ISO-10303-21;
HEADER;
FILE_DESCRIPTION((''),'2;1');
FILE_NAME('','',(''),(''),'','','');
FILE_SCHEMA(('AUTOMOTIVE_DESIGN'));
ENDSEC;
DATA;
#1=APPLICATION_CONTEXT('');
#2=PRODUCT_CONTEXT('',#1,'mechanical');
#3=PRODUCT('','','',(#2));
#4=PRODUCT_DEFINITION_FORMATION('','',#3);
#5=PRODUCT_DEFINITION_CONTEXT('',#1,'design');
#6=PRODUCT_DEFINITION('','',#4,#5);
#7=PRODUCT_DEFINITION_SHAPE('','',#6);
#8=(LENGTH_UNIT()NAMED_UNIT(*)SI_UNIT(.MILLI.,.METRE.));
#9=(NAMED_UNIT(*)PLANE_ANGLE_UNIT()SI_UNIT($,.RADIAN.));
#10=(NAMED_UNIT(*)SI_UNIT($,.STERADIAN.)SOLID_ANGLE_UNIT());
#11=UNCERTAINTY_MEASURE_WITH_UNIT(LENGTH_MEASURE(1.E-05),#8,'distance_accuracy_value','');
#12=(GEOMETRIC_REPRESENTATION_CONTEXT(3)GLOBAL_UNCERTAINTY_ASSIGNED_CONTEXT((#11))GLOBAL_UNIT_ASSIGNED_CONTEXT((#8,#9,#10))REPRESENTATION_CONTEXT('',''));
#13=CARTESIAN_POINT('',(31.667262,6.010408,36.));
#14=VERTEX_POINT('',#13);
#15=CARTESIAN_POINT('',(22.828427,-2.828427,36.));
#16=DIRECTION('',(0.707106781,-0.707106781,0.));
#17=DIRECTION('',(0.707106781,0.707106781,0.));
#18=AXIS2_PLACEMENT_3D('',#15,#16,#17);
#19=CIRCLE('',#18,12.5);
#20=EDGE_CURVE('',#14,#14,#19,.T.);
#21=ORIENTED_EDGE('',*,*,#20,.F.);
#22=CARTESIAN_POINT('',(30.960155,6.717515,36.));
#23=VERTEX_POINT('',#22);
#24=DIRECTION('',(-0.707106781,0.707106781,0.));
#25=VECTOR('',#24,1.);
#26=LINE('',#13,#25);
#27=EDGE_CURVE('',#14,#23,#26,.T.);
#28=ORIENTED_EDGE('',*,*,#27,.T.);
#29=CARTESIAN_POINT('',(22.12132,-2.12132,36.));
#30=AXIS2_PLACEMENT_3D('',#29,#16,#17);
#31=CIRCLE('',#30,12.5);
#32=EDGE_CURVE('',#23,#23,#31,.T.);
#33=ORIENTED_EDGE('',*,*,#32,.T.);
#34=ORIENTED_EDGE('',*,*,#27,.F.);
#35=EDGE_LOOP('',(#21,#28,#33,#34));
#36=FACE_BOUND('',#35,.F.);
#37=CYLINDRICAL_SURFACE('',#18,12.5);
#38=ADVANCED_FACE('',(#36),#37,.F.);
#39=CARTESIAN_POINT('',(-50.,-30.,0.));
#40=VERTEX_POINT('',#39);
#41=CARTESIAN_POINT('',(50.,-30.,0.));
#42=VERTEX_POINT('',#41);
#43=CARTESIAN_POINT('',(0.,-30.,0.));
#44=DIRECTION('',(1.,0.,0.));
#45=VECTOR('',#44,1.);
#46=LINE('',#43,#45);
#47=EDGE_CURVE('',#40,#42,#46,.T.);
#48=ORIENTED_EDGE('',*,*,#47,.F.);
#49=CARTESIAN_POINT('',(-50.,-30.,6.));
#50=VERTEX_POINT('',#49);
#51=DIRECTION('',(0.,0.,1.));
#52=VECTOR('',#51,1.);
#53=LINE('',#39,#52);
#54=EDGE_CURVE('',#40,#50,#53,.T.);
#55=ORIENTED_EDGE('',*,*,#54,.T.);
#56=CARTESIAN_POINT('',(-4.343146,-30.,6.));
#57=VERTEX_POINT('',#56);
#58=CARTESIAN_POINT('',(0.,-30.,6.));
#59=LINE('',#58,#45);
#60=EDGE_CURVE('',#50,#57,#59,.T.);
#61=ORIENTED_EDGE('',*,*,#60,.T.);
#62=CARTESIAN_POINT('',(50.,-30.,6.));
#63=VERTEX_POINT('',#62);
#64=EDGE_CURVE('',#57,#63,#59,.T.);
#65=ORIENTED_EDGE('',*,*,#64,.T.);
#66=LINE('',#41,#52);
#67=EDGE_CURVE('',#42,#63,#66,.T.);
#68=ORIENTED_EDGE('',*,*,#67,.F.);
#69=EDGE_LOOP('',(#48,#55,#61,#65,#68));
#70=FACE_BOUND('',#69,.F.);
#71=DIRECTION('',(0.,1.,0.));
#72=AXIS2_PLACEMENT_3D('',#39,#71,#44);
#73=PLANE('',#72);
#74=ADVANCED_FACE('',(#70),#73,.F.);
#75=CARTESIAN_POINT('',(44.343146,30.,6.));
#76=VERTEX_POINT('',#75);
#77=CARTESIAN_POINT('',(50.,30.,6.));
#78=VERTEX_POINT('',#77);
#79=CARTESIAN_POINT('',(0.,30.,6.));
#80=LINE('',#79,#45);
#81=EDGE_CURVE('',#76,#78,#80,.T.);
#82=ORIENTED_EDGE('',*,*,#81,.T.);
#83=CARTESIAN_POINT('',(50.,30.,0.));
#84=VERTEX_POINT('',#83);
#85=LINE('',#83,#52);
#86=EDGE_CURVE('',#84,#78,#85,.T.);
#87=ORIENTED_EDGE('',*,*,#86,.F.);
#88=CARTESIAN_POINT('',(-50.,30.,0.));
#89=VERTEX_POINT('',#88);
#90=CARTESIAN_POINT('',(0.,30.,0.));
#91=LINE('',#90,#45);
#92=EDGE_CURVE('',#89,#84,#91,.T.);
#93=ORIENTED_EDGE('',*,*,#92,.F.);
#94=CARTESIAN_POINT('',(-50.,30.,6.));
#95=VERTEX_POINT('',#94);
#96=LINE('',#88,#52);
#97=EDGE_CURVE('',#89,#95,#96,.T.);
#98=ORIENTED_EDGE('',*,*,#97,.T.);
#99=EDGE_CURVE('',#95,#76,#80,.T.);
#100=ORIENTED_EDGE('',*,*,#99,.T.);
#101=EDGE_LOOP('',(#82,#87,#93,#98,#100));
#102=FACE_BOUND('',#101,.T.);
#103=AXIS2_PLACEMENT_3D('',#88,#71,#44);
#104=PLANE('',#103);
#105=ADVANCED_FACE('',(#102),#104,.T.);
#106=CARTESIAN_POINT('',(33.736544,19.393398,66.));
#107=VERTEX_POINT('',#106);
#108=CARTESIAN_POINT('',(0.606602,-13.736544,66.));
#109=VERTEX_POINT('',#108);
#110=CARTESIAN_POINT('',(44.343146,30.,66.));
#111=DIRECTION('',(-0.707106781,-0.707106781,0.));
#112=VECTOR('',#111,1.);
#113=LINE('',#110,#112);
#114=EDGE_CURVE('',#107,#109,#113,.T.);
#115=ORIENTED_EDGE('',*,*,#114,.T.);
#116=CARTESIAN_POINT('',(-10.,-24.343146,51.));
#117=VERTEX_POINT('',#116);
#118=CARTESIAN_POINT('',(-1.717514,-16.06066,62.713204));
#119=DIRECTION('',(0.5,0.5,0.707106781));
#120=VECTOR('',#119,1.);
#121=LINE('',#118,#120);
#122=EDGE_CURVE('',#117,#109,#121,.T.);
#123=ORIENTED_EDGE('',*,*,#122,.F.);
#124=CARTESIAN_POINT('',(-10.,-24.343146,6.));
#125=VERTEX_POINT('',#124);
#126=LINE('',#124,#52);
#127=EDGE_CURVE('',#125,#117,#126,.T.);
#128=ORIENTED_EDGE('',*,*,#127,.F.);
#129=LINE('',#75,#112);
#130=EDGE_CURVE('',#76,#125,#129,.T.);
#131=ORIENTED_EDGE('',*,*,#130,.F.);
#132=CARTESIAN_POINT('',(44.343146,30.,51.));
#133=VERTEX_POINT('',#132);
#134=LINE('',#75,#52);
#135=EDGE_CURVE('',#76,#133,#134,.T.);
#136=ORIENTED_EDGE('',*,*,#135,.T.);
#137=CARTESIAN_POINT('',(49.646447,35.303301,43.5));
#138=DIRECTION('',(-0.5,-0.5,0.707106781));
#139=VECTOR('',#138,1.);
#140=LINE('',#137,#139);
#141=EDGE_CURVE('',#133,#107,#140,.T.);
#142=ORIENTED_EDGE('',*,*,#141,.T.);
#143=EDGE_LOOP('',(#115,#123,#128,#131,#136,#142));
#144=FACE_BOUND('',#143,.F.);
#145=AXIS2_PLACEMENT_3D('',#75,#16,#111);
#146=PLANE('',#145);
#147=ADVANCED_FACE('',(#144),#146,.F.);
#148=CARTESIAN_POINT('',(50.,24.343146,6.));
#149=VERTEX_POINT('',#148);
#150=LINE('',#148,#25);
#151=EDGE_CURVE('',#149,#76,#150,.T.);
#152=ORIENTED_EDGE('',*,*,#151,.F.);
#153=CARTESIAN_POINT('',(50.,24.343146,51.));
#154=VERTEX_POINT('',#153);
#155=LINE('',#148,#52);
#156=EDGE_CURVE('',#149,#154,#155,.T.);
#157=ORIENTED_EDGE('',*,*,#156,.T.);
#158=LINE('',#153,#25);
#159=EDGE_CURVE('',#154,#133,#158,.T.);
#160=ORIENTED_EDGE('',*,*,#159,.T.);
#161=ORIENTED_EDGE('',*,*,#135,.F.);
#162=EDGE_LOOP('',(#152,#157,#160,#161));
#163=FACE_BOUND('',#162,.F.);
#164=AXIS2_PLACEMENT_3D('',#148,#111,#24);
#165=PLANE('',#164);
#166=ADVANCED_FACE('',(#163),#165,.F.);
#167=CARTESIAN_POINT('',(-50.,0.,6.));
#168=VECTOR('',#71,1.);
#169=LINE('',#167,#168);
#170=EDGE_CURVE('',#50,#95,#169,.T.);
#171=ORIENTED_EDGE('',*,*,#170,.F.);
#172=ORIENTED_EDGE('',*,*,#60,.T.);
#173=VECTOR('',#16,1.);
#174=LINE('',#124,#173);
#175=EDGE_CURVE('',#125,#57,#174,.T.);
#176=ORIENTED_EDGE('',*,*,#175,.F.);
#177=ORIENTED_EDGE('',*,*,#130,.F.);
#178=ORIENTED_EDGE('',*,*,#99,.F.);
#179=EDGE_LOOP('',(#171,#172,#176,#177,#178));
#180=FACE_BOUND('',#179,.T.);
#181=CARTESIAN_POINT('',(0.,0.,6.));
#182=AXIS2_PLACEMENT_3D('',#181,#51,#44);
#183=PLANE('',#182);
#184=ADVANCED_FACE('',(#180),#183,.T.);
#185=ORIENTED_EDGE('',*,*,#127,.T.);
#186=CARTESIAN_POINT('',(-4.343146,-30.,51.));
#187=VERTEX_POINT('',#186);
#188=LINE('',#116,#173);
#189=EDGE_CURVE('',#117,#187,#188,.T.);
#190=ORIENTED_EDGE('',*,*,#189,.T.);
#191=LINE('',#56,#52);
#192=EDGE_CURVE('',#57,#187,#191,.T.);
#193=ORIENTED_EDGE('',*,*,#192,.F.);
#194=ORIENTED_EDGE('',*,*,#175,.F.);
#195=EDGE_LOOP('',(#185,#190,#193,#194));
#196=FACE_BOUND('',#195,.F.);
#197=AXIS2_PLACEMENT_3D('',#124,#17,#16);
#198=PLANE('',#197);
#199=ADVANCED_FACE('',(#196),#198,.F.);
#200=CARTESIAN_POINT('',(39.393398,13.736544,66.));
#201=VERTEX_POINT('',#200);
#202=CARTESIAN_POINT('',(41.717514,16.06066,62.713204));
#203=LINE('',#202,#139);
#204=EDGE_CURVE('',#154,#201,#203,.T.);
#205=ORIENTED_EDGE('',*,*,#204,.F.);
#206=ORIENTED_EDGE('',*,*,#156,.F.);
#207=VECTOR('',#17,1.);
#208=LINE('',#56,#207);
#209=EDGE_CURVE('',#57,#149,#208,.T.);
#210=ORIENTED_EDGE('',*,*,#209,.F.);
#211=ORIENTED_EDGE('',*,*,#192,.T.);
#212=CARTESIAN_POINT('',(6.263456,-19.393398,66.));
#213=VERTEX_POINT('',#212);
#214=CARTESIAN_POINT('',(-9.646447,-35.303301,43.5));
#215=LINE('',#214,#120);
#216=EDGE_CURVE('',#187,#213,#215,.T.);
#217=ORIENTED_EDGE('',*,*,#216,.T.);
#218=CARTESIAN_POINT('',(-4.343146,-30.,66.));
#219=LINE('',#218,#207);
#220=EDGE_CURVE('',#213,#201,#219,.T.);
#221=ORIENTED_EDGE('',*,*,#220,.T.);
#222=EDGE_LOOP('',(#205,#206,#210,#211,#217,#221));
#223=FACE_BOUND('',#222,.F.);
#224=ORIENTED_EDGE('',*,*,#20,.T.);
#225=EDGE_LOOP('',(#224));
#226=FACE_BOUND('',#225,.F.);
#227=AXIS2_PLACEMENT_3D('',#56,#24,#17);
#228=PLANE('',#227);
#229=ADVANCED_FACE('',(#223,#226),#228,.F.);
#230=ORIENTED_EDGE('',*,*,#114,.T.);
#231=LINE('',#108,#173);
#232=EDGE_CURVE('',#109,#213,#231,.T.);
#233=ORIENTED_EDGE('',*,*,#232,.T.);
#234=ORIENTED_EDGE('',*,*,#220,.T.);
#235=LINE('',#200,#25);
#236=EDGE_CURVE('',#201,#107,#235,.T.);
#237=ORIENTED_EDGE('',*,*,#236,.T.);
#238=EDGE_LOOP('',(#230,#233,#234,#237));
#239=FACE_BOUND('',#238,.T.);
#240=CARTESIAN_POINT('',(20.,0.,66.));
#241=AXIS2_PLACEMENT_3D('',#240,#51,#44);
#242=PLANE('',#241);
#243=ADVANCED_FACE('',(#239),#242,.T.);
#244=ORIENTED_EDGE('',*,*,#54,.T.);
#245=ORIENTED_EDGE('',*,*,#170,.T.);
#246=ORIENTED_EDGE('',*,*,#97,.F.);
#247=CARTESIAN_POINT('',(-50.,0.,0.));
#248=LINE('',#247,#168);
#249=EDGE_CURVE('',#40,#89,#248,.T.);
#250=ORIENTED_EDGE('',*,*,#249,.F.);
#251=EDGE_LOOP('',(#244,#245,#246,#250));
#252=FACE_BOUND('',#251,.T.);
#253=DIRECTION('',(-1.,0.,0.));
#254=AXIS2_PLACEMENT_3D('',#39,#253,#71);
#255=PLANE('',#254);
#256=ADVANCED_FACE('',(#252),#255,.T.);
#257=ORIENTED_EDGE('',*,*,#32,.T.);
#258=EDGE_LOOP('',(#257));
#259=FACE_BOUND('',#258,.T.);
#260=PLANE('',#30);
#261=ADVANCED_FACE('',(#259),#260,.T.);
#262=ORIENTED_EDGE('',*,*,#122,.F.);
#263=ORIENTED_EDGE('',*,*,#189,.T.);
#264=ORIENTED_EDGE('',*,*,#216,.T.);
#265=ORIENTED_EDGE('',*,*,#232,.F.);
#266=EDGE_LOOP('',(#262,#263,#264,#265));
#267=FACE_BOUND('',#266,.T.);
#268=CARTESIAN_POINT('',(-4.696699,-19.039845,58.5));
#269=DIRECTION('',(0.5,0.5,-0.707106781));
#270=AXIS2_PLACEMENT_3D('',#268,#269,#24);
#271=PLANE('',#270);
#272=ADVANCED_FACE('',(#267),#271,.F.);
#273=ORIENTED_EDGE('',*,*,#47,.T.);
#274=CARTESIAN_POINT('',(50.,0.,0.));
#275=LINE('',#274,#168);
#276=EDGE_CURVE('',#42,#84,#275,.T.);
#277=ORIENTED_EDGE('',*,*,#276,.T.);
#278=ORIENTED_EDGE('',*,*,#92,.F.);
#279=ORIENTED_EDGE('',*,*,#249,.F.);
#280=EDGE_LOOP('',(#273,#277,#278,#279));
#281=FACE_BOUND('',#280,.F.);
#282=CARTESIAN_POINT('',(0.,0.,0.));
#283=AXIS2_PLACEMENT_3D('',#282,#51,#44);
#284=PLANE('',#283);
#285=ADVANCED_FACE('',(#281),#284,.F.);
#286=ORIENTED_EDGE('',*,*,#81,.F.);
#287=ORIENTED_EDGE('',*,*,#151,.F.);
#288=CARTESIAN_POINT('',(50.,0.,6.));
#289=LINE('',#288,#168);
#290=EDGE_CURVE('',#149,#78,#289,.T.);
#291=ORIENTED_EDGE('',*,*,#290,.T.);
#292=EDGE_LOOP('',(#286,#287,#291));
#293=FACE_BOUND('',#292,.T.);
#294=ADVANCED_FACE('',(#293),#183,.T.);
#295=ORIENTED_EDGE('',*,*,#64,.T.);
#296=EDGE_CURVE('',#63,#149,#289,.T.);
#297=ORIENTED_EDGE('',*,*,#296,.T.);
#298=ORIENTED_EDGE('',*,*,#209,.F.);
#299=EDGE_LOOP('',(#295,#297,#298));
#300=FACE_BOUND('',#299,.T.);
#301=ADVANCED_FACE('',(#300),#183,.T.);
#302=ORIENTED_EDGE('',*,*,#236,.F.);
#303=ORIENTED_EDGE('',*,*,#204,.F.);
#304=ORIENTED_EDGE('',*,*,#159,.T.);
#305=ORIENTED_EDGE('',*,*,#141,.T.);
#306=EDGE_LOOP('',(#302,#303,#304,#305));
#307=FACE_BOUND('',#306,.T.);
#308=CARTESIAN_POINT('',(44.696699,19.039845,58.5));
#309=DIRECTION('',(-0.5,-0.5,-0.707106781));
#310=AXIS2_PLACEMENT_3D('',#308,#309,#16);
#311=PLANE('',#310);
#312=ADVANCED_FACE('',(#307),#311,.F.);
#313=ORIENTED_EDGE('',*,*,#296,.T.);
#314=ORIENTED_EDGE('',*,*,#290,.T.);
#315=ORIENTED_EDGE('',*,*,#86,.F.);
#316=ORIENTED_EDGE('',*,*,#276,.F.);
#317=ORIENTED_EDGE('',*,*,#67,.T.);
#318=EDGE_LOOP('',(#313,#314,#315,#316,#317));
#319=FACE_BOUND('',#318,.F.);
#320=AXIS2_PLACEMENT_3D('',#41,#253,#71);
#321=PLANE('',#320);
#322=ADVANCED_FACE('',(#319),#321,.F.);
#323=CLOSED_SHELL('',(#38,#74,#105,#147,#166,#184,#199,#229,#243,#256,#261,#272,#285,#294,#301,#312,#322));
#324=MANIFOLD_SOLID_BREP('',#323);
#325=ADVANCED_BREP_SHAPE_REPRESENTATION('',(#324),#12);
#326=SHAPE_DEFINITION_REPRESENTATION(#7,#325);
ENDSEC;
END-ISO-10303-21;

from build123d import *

# Parameters (mm, degrees)
F0_W     = 100
F0_H     = 60
F1_DEPTH = 6
F3_DEPTH = 60
F4_R     = 12.5
F5_DEPTH = 1
F6_SIZE  = 15


with BuildPart() as f1:
    # F0 (on Top) → F1 (new body)
    with BuildSketch(Plane.XY):
        Rectangle(F0_W, F0_H)
    extrude(amount=F1_DEPTH)

    # F2 (on face) → F3 (join)
    with BuildSketch(Plane.XY.offset(6)):
        Polygon((44.343146, 30), (-10, -24.343146), (-4.343146, -30), (50, 24.343146), align=None)
    extrude(amount=F3_DEPTH)

    # F4 (on face) → F5 (cut)
    with BuildSketch(Plane(origin=(12.828427, -12.828427, 0), x_dir=(0.707107, 0.707107, 0), z_dir=(0.707107, -0.707107, 0))):
        with Locations((14.142136, 36)):
            Circle(F4_R)
    extrude(amount=-F5_DEPTH, mode=Mode.SUBTRACT)

    # F6
    f6_edges = [f1.edges().sort_by_distance(p)[0] for p in [
        (-7.171573, -27.171573, 66),
        (47.171573, 27.171573, 66),
    ]]
    chamfer(f6_edges, length=F6_SIZE)


solid = f1.part
